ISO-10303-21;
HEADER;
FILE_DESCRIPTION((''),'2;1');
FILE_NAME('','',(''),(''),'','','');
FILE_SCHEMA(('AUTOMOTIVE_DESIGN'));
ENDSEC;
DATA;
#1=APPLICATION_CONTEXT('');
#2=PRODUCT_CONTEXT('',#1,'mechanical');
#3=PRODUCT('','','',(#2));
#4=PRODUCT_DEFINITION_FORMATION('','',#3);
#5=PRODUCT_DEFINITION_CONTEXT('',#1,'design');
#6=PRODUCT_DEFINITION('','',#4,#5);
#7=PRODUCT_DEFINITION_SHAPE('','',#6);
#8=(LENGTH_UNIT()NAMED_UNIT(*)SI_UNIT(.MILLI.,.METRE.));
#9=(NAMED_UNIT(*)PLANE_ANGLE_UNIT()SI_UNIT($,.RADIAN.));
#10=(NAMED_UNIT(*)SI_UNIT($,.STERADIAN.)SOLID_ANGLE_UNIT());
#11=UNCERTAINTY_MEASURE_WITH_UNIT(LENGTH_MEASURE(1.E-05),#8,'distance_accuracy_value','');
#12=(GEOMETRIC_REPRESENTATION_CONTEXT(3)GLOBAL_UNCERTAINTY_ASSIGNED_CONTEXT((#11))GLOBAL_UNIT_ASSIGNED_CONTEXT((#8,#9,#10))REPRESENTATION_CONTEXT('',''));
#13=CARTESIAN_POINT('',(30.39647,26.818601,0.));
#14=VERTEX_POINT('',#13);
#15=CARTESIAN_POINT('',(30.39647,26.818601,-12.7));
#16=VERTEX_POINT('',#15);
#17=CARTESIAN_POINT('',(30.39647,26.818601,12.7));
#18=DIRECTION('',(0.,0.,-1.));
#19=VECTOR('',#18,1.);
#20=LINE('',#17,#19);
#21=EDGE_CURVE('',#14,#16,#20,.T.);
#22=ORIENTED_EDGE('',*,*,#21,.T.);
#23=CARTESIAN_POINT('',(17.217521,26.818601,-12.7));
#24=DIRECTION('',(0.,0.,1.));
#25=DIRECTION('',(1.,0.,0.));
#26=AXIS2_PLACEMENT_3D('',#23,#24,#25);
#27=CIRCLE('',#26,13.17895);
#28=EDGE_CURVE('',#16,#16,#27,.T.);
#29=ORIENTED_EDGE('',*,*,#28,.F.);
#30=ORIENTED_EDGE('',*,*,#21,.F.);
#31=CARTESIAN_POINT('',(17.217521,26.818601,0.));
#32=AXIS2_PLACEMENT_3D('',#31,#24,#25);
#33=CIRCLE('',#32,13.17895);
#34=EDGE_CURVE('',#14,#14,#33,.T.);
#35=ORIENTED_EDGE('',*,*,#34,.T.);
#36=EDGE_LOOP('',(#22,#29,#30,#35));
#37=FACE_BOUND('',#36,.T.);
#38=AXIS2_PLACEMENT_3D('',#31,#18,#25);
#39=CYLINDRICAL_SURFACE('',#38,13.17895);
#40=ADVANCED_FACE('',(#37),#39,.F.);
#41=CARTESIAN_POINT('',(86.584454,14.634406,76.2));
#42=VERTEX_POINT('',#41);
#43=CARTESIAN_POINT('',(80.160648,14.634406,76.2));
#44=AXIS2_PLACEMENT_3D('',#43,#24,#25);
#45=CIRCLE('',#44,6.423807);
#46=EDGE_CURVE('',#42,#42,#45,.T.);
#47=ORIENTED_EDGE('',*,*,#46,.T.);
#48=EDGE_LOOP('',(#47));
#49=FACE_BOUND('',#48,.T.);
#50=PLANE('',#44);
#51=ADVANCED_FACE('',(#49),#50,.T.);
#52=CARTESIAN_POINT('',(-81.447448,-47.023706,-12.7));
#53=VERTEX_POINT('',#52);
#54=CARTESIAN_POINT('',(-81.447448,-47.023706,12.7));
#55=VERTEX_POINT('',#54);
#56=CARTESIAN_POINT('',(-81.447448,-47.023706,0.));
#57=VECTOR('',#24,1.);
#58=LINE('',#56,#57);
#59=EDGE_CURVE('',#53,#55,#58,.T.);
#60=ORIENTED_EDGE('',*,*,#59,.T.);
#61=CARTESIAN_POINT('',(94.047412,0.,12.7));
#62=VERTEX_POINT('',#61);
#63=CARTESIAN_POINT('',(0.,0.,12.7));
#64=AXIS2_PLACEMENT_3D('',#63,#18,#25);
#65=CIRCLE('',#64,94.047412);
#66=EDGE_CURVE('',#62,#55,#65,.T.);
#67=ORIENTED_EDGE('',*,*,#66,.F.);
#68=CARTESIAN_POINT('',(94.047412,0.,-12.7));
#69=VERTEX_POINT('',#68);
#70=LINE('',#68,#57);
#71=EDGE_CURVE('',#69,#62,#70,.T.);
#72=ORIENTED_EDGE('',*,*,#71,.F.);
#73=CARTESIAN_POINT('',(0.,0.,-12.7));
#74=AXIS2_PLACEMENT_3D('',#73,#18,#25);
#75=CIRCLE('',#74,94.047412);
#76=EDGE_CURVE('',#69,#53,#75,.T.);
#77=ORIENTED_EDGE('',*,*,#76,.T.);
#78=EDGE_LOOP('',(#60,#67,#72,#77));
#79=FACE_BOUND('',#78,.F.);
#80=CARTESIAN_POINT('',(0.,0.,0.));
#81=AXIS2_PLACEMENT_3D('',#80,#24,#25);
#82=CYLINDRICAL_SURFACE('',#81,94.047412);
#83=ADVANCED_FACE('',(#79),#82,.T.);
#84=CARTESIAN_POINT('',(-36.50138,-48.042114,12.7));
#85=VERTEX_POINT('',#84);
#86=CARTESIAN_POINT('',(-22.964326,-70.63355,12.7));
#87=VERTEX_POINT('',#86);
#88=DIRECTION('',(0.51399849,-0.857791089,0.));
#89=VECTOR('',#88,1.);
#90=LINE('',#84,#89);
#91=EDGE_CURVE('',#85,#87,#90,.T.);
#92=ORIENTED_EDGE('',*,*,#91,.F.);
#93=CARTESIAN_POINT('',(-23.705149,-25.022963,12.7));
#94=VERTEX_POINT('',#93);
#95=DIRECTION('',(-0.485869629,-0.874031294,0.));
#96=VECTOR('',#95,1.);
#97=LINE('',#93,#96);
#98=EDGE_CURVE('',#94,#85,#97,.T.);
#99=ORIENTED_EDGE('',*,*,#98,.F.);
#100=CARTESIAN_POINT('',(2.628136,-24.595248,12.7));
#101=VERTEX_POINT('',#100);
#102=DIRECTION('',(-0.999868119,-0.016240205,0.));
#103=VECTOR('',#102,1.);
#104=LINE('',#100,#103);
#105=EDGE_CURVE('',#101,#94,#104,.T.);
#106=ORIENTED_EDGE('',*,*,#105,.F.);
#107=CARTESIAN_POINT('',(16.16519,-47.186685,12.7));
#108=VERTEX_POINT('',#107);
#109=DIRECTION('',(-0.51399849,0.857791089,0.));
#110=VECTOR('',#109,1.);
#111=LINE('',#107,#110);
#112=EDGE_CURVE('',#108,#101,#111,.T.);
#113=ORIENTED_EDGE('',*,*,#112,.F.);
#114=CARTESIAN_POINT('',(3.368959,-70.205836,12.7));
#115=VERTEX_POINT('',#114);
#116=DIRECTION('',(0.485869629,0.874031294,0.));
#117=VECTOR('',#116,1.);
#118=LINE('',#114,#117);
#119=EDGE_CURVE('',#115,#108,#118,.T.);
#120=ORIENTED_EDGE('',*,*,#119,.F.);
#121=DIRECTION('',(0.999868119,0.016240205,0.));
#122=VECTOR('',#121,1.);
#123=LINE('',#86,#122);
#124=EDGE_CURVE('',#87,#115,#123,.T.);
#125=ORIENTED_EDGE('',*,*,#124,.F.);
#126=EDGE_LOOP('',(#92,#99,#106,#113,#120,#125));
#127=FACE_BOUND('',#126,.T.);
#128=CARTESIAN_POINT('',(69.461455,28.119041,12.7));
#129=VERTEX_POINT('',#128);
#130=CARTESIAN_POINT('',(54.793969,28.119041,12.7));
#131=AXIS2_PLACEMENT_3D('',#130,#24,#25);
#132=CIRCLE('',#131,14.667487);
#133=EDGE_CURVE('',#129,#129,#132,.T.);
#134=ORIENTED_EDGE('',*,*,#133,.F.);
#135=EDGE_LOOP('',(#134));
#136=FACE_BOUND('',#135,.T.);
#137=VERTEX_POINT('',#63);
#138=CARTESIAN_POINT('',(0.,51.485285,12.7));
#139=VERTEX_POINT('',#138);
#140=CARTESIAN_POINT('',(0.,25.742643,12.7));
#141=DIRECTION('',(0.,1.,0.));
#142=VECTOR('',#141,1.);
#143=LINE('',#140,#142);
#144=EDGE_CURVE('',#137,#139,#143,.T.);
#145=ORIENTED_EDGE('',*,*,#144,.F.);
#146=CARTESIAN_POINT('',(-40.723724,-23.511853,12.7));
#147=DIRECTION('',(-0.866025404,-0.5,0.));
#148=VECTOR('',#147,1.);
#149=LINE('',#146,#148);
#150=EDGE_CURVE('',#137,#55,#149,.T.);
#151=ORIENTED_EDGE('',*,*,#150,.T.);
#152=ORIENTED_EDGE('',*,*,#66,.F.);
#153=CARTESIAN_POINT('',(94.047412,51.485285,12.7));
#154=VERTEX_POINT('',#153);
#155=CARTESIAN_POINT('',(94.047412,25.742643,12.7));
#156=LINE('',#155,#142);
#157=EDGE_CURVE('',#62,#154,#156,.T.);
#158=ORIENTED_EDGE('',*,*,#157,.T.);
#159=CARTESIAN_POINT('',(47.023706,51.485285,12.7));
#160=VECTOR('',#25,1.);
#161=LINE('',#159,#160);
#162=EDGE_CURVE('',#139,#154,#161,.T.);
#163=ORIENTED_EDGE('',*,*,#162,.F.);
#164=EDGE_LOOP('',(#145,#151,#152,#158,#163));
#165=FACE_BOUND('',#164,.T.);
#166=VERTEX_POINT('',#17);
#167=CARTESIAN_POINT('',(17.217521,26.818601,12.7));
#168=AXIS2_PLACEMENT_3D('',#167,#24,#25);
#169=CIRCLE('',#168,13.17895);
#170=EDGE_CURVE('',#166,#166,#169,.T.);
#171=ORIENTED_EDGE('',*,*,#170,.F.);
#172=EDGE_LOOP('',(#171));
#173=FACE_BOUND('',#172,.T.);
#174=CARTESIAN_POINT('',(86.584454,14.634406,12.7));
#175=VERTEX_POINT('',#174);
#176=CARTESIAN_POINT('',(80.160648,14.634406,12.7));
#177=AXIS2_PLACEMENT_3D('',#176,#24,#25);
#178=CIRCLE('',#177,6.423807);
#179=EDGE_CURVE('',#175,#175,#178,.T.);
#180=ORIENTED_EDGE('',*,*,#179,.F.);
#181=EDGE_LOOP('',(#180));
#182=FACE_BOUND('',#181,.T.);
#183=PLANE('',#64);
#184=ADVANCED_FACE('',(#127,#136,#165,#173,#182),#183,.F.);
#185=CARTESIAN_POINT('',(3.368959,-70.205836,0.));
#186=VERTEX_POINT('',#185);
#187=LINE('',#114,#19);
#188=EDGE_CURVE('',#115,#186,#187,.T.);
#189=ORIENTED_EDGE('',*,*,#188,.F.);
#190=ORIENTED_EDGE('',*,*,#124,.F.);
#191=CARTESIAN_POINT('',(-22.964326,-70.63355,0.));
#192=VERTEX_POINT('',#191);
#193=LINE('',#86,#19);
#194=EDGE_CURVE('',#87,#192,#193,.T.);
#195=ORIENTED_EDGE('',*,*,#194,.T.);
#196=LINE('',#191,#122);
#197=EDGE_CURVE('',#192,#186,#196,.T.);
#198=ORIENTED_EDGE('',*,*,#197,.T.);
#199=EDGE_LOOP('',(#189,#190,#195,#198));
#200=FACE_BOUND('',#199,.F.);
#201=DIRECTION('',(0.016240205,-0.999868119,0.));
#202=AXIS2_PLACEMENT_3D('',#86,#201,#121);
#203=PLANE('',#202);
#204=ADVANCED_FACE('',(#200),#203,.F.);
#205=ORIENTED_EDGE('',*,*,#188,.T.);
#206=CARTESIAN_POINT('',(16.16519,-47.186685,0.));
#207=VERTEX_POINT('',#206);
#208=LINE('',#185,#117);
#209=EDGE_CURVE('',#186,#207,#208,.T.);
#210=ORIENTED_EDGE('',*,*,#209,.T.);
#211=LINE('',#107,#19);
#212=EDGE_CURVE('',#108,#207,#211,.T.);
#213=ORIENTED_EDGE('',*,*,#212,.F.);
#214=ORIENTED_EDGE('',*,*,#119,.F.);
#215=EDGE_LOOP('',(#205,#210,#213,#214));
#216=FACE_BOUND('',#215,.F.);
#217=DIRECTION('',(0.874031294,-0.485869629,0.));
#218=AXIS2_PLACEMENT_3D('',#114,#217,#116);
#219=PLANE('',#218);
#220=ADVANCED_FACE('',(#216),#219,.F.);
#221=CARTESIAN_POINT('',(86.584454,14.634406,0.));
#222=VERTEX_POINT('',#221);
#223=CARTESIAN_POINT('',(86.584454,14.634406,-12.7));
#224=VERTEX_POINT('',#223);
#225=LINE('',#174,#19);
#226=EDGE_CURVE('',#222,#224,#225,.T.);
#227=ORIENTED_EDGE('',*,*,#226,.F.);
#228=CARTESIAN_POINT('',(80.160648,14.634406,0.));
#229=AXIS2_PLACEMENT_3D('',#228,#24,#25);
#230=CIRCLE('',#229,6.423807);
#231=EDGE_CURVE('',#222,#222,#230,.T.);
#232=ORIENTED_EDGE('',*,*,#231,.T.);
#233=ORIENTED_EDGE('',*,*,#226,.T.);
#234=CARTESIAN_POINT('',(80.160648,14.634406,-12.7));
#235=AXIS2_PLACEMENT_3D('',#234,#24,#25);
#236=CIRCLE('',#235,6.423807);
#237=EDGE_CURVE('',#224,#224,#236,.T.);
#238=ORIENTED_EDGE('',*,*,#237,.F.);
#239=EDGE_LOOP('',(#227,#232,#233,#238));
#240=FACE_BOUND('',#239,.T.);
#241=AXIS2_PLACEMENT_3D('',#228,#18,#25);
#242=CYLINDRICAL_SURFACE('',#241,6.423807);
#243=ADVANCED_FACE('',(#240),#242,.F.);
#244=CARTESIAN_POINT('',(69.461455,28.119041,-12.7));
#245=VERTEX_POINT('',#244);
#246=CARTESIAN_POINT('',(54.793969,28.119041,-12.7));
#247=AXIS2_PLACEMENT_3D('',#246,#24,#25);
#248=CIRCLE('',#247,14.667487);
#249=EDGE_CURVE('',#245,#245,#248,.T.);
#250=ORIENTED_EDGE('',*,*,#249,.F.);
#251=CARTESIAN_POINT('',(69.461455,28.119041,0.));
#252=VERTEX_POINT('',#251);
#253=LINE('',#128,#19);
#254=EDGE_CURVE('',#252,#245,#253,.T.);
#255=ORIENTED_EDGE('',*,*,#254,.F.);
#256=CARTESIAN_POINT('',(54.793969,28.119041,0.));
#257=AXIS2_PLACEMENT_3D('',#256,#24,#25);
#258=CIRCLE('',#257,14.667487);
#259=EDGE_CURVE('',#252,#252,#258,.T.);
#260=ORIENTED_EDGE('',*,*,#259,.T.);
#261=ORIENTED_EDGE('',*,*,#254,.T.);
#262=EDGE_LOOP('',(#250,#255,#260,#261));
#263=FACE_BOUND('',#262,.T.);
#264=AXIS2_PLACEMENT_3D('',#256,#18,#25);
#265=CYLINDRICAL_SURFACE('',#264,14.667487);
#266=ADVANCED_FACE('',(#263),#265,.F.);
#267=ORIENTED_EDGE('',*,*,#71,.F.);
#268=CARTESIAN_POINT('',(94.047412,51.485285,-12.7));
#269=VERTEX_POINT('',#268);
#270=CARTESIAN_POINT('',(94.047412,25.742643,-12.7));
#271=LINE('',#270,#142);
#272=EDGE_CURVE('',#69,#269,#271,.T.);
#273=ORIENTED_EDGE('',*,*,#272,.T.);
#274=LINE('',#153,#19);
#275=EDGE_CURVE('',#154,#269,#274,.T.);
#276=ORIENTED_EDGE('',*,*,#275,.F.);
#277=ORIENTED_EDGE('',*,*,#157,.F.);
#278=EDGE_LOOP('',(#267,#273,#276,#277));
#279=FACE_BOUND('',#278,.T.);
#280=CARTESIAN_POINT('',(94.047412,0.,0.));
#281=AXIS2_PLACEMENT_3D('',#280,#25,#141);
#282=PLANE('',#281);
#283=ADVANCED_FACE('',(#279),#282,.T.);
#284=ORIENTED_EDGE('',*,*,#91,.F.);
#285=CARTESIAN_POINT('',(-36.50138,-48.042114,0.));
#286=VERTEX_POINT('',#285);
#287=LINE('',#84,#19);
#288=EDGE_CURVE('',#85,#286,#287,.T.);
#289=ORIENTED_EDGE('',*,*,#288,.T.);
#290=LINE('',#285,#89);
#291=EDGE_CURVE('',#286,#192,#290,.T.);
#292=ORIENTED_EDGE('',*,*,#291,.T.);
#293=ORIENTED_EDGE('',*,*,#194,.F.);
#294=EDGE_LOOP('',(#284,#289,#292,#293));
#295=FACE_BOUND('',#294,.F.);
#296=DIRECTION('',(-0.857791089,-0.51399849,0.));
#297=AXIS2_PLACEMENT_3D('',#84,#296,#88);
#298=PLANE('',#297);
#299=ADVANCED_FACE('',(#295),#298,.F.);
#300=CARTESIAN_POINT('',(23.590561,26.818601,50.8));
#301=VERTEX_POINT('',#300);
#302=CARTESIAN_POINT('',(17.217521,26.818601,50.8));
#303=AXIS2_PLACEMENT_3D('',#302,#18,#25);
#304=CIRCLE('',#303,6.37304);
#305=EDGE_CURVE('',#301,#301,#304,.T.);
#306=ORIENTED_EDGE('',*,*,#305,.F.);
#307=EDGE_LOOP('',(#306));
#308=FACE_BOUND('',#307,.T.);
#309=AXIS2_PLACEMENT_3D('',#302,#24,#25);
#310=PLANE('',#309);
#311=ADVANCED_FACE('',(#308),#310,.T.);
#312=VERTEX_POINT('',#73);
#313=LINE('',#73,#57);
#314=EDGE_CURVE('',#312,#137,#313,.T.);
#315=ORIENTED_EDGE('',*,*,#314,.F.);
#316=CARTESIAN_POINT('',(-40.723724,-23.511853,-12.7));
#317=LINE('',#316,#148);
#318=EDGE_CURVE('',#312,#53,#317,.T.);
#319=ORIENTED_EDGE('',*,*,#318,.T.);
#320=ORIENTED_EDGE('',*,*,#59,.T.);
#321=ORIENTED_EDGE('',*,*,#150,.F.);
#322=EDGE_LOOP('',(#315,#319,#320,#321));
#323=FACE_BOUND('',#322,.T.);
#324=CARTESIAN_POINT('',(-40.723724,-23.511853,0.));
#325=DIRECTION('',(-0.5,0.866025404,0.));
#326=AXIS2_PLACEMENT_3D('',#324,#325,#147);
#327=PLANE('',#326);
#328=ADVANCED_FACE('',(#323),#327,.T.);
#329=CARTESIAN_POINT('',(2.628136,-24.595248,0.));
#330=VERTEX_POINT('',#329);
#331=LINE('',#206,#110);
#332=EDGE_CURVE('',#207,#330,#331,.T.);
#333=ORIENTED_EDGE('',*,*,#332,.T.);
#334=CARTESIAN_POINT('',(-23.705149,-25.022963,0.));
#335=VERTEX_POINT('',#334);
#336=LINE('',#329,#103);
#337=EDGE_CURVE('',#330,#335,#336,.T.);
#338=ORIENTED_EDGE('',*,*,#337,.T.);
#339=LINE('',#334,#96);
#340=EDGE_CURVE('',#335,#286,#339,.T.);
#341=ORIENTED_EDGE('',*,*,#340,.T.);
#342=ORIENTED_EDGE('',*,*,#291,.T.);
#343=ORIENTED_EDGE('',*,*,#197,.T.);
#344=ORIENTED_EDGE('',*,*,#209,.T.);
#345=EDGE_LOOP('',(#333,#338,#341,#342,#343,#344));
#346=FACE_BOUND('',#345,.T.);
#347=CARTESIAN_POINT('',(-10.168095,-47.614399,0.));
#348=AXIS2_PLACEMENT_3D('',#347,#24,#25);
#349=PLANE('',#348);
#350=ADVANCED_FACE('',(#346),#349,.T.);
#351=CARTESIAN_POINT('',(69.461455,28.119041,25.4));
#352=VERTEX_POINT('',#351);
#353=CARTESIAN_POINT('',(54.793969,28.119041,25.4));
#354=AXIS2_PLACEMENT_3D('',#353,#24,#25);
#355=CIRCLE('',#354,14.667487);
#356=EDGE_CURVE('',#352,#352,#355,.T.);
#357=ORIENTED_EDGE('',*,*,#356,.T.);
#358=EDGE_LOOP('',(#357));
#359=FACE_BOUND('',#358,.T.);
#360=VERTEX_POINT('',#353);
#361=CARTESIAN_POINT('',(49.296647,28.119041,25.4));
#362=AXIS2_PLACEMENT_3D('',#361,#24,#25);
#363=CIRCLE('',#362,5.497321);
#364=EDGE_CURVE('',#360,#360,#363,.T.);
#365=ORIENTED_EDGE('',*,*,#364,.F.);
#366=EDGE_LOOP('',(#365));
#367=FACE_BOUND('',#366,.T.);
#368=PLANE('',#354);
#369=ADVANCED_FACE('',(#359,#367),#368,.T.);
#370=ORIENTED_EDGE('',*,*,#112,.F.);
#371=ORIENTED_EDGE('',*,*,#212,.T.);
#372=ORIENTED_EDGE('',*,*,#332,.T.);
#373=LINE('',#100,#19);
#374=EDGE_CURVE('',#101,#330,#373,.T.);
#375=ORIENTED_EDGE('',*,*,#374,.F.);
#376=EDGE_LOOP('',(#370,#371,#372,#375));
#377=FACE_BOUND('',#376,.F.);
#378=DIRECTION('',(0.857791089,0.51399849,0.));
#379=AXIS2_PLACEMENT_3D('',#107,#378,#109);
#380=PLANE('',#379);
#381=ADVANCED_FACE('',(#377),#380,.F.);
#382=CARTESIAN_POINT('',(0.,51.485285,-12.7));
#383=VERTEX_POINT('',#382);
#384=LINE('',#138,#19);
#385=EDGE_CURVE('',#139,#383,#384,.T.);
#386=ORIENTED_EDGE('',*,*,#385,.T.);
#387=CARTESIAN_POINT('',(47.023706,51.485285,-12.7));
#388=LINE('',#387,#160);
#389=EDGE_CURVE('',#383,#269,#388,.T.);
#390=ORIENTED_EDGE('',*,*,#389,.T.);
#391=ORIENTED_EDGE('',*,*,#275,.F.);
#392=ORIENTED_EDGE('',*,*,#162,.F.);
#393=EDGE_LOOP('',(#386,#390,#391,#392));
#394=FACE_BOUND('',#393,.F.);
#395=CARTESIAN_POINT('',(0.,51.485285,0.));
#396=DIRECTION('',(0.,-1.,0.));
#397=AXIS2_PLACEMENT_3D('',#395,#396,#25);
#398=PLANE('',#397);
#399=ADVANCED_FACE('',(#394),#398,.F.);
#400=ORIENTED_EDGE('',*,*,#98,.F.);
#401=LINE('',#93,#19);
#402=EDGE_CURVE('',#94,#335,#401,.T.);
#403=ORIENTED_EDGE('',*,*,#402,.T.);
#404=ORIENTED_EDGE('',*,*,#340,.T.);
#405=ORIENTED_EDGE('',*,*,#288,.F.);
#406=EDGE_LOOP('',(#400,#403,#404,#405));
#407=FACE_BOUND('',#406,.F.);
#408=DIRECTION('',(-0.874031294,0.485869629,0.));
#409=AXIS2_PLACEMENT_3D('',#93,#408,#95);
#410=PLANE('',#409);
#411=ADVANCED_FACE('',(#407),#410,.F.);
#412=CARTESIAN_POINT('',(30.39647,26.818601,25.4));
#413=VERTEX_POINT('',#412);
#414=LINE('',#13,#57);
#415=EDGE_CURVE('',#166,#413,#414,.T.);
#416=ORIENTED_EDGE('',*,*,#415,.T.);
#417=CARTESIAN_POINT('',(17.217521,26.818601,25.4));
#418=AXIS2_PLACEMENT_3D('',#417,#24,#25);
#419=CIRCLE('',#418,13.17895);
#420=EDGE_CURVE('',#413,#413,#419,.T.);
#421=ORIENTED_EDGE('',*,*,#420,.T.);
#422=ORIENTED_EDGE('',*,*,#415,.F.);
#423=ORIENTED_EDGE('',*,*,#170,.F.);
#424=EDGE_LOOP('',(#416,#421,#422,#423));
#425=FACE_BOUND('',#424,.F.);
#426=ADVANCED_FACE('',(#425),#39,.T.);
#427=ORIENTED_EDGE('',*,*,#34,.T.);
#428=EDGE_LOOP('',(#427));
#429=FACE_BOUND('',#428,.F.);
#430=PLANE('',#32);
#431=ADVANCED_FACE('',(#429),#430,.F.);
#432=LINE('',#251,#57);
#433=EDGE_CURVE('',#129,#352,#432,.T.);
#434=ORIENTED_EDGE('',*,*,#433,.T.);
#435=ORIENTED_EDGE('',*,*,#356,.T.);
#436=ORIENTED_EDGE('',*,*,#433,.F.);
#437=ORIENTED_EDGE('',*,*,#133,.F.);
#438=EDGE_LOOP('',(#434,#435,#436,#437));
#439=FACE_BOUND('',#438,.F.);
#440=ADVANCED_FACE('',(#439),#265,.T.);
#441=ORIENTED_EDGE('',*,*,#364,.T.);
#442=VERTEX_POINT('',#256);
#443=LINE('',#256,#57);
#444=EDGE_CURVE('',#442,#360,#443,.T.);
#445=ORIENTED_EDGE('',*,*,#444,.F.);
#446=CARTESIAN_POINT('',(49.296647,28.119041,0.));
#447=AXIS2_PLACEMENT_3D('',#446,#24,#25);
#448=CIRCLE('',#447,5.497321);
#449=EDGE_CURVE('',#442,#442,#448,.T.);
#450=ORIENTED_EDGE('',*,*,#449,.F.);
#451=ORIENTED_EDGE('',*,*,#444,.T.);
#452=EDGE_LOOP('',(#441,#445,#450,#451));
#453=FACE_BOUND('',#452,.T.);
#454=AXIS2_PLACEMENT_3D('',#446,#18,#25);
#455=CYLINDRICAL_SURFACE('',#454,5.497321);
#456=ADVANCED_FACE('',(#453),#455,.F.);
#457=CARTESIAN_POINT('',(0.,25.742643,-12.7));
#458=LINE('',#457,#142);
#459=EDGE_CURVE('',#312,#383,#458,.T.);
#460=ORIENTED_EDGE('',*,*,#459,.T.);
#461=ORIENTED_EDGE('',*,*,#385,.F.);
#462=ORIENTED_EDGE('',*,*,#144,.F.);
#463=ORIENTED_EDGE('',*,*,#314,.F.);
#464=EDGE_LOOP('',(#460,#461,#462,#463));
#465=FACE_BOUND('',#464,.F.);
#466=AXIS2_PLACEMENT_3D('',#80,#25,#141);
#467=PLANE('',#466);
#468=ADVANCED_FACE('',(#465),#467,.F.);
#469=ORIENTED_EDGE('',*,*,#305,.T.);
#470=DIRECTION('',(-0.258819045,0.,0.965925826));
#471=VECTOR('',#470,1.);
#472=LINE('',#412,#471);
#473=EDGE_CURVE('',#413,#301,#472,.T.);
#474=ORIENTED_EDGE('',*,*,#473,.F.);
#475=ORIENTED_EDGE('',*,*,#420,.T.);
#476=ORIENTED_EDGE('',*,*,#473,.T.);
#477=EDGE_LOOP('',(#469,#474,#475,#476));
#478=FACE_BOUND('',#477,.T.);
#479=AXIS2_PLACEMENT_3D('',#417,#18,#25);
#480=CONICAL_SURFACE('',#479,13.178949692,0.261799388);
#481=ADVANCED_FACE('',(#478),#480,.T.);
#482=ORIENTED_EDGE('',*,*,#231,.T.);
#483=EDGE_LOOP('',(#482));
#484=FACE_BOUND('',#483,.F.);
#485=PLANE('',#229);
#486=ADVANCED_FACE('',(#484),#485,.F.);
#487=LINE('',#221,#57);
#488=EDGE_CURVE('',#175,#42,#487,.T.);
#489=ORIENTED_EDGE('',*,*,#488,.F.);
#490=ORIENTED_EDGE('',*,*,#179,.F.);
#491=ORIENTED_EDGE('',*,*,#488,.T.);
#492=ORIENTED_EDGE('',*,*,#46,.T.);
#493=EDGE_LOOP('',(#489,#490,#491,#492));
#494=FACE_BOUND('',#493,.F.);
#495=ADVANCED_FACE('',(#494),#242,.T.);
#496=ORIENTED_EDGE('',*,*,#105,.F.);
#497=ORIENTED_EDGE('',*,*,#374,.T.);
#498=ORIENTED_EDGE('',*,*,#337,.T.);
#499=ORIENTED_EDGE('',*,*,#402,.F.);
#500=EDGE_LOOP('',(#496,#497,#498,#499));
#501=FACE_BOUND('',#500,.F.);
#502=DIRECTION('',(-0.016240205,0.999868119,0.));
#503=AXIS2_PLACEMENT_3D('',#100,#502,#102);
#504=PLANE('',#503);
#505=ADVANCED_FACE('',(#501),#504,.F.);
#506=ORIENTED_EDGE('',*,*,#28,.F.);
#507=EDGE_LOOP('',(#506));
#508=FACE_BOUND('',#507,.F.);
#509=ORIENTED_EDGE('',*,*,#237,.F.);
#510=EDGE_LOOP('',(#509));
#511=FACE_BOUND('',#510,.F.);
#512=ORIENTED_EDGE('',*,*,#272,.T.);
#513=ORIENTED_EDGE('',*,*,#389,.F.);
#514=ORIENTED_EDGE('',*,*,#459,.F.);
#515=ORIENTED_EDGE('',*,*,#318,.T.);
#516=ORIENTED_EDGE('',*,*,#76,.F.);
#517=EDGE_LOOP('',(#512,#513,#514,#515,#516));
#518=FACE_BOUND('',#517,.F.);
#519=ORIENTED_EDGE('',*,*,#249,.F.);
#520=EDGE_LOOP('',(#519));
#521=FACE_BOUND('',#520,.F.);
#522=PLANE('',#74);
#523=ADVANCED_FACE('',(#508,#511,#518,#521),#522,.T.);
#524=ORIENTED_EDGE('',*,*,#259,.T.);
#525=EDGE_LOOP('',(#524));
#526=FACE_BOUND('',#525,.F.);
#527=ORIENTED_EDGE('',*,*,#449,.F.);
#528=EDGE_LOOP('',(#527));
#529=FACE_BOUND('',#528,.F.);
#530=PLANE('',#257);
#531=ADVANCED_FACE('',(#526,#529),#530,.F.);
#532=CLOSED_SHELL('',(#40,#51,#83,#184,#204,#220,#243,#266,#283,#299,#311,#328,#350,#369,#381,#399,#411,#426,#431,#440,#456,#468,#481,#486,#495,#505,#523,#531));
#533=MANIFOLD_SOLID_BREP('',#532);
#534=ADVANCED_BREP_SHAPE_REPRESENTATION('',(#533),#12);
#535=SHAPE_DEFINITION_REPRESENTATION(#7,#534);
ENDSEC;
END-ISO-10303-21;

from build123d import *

# Parameters (mm, degrees)
F0_R      = 13.1789496922
F1_DEPTH  = 25.4
F0_R_2    = 14.6674866232
F0_R_3    = 5.4973214865
F0_W      = 94.0474122763
F0_H      = 51.4852851629
F0_R_4    = 6.4238066615
F2_DEPTH  = 12.7
F3_DEPTH  = 76.2
F1_FACE_R = 13.1789496922
F4_DEPTH  = 25.4
F4_TAPER  = 15
F2_FACE_W = 94.0474122763
F2_FACE_H = 25.4
F5_ANGLE  = 150
F7_DEPTH  = 12.7


with BuildPart() as f1:
    # F0 (on Top) → F1 (new body)
    with BuildSketch(Plane.XY):
        with Locations((17.2175206244, 26.8186014146)):
            Circle(F0_R)
    extrude(amount=F1_DEPTH)



with BuildPart() as f1b:
    # F0 (on Top) → F1, piece 2 (new body)
    with BuildSketch(Plane.XY):
        with Locations((54.7939687967, 28.1190406531)):
            Circle(F0_R_2)
        with Locations((49.2966473103, 28.1190406531)):
            Circle(F0_R_3, mode=Mode.SUBTRACT)
    extrude(amount=F1_DEPTH)


with BuildPart() as f1_1:
    add(f1.part)

    add(f1b.part)  # F2 merges F1b
    # F0 (on Top) → F2 (join, symmetric)
    with BuildSketch(Plane.XY):
        with Locations((47.0237061381, 25.7426425815)):
            Rectangle(F0_W, F0_H)
        with Locations((80.1606476307, 14.6344061941)):
            Circle(F0_R_4, mode=Mode.SUBTRACT)
        with Locations((17.2175206244, 26.8186014146)):
            Circle(F0_R, mode=Mode.SUBTRACT)
        with Locations((54.7939687967, 28.1190406531)):
            Circle(F0_R_2, mode=Mode.SUBTRACT)
    extrude(amount=F2_DEPTH, both=True)

    # F0 (on Top) → F3 (join)
    with BuildSketch(Plane.XY):
        with Locations((80.1606476307, 14.6344061941)):
            Circle(F0_R_4)
    extrude(amount=F3_DEPTH)

    # F1_face (on face) → F4 (join)
    with BuildSketch(Plane(origin=(17.2175206244, 26.8186014146, 25.4), x_dir=(1, 0, 0), z_dir=(0, 0, 1))):
        Circle(F1_FACE_R)
    extrude(amount=F4_DEPTH, taper=F4_TAPER)

    # F2_face (on face) → F5 (revolve)
    with BuildSketch(Plane(origin=(47.0237061381, 0, 0), x_dir=(1, 0, 0), z_dir=(0, -1, 0))):
        Rectangle(F2_FACE_W, F2_FACE_H)
    revolve(axis=Axis((0, 0, 0), (0, 0, -1)), revolution_arc=F5_ANGLE)

    # F6 (on face) → F7 (cut)
    with BuildSketch(Plane.XY.offset(12.7)):
        Polygon((16.165189955, -47.1866849835), (2.6281359163, -24.5952483242), (-23.705149158, -25.0229626845), (-36.5013801936, -48.042113704), (-22.9643261549, -70.6335503633), (3.3689589194, -70.205836003), align=None)
    extrude(amount=-F7_DEPTH, mode=Mode.SUBTRACT)


solid = f1_1.part
